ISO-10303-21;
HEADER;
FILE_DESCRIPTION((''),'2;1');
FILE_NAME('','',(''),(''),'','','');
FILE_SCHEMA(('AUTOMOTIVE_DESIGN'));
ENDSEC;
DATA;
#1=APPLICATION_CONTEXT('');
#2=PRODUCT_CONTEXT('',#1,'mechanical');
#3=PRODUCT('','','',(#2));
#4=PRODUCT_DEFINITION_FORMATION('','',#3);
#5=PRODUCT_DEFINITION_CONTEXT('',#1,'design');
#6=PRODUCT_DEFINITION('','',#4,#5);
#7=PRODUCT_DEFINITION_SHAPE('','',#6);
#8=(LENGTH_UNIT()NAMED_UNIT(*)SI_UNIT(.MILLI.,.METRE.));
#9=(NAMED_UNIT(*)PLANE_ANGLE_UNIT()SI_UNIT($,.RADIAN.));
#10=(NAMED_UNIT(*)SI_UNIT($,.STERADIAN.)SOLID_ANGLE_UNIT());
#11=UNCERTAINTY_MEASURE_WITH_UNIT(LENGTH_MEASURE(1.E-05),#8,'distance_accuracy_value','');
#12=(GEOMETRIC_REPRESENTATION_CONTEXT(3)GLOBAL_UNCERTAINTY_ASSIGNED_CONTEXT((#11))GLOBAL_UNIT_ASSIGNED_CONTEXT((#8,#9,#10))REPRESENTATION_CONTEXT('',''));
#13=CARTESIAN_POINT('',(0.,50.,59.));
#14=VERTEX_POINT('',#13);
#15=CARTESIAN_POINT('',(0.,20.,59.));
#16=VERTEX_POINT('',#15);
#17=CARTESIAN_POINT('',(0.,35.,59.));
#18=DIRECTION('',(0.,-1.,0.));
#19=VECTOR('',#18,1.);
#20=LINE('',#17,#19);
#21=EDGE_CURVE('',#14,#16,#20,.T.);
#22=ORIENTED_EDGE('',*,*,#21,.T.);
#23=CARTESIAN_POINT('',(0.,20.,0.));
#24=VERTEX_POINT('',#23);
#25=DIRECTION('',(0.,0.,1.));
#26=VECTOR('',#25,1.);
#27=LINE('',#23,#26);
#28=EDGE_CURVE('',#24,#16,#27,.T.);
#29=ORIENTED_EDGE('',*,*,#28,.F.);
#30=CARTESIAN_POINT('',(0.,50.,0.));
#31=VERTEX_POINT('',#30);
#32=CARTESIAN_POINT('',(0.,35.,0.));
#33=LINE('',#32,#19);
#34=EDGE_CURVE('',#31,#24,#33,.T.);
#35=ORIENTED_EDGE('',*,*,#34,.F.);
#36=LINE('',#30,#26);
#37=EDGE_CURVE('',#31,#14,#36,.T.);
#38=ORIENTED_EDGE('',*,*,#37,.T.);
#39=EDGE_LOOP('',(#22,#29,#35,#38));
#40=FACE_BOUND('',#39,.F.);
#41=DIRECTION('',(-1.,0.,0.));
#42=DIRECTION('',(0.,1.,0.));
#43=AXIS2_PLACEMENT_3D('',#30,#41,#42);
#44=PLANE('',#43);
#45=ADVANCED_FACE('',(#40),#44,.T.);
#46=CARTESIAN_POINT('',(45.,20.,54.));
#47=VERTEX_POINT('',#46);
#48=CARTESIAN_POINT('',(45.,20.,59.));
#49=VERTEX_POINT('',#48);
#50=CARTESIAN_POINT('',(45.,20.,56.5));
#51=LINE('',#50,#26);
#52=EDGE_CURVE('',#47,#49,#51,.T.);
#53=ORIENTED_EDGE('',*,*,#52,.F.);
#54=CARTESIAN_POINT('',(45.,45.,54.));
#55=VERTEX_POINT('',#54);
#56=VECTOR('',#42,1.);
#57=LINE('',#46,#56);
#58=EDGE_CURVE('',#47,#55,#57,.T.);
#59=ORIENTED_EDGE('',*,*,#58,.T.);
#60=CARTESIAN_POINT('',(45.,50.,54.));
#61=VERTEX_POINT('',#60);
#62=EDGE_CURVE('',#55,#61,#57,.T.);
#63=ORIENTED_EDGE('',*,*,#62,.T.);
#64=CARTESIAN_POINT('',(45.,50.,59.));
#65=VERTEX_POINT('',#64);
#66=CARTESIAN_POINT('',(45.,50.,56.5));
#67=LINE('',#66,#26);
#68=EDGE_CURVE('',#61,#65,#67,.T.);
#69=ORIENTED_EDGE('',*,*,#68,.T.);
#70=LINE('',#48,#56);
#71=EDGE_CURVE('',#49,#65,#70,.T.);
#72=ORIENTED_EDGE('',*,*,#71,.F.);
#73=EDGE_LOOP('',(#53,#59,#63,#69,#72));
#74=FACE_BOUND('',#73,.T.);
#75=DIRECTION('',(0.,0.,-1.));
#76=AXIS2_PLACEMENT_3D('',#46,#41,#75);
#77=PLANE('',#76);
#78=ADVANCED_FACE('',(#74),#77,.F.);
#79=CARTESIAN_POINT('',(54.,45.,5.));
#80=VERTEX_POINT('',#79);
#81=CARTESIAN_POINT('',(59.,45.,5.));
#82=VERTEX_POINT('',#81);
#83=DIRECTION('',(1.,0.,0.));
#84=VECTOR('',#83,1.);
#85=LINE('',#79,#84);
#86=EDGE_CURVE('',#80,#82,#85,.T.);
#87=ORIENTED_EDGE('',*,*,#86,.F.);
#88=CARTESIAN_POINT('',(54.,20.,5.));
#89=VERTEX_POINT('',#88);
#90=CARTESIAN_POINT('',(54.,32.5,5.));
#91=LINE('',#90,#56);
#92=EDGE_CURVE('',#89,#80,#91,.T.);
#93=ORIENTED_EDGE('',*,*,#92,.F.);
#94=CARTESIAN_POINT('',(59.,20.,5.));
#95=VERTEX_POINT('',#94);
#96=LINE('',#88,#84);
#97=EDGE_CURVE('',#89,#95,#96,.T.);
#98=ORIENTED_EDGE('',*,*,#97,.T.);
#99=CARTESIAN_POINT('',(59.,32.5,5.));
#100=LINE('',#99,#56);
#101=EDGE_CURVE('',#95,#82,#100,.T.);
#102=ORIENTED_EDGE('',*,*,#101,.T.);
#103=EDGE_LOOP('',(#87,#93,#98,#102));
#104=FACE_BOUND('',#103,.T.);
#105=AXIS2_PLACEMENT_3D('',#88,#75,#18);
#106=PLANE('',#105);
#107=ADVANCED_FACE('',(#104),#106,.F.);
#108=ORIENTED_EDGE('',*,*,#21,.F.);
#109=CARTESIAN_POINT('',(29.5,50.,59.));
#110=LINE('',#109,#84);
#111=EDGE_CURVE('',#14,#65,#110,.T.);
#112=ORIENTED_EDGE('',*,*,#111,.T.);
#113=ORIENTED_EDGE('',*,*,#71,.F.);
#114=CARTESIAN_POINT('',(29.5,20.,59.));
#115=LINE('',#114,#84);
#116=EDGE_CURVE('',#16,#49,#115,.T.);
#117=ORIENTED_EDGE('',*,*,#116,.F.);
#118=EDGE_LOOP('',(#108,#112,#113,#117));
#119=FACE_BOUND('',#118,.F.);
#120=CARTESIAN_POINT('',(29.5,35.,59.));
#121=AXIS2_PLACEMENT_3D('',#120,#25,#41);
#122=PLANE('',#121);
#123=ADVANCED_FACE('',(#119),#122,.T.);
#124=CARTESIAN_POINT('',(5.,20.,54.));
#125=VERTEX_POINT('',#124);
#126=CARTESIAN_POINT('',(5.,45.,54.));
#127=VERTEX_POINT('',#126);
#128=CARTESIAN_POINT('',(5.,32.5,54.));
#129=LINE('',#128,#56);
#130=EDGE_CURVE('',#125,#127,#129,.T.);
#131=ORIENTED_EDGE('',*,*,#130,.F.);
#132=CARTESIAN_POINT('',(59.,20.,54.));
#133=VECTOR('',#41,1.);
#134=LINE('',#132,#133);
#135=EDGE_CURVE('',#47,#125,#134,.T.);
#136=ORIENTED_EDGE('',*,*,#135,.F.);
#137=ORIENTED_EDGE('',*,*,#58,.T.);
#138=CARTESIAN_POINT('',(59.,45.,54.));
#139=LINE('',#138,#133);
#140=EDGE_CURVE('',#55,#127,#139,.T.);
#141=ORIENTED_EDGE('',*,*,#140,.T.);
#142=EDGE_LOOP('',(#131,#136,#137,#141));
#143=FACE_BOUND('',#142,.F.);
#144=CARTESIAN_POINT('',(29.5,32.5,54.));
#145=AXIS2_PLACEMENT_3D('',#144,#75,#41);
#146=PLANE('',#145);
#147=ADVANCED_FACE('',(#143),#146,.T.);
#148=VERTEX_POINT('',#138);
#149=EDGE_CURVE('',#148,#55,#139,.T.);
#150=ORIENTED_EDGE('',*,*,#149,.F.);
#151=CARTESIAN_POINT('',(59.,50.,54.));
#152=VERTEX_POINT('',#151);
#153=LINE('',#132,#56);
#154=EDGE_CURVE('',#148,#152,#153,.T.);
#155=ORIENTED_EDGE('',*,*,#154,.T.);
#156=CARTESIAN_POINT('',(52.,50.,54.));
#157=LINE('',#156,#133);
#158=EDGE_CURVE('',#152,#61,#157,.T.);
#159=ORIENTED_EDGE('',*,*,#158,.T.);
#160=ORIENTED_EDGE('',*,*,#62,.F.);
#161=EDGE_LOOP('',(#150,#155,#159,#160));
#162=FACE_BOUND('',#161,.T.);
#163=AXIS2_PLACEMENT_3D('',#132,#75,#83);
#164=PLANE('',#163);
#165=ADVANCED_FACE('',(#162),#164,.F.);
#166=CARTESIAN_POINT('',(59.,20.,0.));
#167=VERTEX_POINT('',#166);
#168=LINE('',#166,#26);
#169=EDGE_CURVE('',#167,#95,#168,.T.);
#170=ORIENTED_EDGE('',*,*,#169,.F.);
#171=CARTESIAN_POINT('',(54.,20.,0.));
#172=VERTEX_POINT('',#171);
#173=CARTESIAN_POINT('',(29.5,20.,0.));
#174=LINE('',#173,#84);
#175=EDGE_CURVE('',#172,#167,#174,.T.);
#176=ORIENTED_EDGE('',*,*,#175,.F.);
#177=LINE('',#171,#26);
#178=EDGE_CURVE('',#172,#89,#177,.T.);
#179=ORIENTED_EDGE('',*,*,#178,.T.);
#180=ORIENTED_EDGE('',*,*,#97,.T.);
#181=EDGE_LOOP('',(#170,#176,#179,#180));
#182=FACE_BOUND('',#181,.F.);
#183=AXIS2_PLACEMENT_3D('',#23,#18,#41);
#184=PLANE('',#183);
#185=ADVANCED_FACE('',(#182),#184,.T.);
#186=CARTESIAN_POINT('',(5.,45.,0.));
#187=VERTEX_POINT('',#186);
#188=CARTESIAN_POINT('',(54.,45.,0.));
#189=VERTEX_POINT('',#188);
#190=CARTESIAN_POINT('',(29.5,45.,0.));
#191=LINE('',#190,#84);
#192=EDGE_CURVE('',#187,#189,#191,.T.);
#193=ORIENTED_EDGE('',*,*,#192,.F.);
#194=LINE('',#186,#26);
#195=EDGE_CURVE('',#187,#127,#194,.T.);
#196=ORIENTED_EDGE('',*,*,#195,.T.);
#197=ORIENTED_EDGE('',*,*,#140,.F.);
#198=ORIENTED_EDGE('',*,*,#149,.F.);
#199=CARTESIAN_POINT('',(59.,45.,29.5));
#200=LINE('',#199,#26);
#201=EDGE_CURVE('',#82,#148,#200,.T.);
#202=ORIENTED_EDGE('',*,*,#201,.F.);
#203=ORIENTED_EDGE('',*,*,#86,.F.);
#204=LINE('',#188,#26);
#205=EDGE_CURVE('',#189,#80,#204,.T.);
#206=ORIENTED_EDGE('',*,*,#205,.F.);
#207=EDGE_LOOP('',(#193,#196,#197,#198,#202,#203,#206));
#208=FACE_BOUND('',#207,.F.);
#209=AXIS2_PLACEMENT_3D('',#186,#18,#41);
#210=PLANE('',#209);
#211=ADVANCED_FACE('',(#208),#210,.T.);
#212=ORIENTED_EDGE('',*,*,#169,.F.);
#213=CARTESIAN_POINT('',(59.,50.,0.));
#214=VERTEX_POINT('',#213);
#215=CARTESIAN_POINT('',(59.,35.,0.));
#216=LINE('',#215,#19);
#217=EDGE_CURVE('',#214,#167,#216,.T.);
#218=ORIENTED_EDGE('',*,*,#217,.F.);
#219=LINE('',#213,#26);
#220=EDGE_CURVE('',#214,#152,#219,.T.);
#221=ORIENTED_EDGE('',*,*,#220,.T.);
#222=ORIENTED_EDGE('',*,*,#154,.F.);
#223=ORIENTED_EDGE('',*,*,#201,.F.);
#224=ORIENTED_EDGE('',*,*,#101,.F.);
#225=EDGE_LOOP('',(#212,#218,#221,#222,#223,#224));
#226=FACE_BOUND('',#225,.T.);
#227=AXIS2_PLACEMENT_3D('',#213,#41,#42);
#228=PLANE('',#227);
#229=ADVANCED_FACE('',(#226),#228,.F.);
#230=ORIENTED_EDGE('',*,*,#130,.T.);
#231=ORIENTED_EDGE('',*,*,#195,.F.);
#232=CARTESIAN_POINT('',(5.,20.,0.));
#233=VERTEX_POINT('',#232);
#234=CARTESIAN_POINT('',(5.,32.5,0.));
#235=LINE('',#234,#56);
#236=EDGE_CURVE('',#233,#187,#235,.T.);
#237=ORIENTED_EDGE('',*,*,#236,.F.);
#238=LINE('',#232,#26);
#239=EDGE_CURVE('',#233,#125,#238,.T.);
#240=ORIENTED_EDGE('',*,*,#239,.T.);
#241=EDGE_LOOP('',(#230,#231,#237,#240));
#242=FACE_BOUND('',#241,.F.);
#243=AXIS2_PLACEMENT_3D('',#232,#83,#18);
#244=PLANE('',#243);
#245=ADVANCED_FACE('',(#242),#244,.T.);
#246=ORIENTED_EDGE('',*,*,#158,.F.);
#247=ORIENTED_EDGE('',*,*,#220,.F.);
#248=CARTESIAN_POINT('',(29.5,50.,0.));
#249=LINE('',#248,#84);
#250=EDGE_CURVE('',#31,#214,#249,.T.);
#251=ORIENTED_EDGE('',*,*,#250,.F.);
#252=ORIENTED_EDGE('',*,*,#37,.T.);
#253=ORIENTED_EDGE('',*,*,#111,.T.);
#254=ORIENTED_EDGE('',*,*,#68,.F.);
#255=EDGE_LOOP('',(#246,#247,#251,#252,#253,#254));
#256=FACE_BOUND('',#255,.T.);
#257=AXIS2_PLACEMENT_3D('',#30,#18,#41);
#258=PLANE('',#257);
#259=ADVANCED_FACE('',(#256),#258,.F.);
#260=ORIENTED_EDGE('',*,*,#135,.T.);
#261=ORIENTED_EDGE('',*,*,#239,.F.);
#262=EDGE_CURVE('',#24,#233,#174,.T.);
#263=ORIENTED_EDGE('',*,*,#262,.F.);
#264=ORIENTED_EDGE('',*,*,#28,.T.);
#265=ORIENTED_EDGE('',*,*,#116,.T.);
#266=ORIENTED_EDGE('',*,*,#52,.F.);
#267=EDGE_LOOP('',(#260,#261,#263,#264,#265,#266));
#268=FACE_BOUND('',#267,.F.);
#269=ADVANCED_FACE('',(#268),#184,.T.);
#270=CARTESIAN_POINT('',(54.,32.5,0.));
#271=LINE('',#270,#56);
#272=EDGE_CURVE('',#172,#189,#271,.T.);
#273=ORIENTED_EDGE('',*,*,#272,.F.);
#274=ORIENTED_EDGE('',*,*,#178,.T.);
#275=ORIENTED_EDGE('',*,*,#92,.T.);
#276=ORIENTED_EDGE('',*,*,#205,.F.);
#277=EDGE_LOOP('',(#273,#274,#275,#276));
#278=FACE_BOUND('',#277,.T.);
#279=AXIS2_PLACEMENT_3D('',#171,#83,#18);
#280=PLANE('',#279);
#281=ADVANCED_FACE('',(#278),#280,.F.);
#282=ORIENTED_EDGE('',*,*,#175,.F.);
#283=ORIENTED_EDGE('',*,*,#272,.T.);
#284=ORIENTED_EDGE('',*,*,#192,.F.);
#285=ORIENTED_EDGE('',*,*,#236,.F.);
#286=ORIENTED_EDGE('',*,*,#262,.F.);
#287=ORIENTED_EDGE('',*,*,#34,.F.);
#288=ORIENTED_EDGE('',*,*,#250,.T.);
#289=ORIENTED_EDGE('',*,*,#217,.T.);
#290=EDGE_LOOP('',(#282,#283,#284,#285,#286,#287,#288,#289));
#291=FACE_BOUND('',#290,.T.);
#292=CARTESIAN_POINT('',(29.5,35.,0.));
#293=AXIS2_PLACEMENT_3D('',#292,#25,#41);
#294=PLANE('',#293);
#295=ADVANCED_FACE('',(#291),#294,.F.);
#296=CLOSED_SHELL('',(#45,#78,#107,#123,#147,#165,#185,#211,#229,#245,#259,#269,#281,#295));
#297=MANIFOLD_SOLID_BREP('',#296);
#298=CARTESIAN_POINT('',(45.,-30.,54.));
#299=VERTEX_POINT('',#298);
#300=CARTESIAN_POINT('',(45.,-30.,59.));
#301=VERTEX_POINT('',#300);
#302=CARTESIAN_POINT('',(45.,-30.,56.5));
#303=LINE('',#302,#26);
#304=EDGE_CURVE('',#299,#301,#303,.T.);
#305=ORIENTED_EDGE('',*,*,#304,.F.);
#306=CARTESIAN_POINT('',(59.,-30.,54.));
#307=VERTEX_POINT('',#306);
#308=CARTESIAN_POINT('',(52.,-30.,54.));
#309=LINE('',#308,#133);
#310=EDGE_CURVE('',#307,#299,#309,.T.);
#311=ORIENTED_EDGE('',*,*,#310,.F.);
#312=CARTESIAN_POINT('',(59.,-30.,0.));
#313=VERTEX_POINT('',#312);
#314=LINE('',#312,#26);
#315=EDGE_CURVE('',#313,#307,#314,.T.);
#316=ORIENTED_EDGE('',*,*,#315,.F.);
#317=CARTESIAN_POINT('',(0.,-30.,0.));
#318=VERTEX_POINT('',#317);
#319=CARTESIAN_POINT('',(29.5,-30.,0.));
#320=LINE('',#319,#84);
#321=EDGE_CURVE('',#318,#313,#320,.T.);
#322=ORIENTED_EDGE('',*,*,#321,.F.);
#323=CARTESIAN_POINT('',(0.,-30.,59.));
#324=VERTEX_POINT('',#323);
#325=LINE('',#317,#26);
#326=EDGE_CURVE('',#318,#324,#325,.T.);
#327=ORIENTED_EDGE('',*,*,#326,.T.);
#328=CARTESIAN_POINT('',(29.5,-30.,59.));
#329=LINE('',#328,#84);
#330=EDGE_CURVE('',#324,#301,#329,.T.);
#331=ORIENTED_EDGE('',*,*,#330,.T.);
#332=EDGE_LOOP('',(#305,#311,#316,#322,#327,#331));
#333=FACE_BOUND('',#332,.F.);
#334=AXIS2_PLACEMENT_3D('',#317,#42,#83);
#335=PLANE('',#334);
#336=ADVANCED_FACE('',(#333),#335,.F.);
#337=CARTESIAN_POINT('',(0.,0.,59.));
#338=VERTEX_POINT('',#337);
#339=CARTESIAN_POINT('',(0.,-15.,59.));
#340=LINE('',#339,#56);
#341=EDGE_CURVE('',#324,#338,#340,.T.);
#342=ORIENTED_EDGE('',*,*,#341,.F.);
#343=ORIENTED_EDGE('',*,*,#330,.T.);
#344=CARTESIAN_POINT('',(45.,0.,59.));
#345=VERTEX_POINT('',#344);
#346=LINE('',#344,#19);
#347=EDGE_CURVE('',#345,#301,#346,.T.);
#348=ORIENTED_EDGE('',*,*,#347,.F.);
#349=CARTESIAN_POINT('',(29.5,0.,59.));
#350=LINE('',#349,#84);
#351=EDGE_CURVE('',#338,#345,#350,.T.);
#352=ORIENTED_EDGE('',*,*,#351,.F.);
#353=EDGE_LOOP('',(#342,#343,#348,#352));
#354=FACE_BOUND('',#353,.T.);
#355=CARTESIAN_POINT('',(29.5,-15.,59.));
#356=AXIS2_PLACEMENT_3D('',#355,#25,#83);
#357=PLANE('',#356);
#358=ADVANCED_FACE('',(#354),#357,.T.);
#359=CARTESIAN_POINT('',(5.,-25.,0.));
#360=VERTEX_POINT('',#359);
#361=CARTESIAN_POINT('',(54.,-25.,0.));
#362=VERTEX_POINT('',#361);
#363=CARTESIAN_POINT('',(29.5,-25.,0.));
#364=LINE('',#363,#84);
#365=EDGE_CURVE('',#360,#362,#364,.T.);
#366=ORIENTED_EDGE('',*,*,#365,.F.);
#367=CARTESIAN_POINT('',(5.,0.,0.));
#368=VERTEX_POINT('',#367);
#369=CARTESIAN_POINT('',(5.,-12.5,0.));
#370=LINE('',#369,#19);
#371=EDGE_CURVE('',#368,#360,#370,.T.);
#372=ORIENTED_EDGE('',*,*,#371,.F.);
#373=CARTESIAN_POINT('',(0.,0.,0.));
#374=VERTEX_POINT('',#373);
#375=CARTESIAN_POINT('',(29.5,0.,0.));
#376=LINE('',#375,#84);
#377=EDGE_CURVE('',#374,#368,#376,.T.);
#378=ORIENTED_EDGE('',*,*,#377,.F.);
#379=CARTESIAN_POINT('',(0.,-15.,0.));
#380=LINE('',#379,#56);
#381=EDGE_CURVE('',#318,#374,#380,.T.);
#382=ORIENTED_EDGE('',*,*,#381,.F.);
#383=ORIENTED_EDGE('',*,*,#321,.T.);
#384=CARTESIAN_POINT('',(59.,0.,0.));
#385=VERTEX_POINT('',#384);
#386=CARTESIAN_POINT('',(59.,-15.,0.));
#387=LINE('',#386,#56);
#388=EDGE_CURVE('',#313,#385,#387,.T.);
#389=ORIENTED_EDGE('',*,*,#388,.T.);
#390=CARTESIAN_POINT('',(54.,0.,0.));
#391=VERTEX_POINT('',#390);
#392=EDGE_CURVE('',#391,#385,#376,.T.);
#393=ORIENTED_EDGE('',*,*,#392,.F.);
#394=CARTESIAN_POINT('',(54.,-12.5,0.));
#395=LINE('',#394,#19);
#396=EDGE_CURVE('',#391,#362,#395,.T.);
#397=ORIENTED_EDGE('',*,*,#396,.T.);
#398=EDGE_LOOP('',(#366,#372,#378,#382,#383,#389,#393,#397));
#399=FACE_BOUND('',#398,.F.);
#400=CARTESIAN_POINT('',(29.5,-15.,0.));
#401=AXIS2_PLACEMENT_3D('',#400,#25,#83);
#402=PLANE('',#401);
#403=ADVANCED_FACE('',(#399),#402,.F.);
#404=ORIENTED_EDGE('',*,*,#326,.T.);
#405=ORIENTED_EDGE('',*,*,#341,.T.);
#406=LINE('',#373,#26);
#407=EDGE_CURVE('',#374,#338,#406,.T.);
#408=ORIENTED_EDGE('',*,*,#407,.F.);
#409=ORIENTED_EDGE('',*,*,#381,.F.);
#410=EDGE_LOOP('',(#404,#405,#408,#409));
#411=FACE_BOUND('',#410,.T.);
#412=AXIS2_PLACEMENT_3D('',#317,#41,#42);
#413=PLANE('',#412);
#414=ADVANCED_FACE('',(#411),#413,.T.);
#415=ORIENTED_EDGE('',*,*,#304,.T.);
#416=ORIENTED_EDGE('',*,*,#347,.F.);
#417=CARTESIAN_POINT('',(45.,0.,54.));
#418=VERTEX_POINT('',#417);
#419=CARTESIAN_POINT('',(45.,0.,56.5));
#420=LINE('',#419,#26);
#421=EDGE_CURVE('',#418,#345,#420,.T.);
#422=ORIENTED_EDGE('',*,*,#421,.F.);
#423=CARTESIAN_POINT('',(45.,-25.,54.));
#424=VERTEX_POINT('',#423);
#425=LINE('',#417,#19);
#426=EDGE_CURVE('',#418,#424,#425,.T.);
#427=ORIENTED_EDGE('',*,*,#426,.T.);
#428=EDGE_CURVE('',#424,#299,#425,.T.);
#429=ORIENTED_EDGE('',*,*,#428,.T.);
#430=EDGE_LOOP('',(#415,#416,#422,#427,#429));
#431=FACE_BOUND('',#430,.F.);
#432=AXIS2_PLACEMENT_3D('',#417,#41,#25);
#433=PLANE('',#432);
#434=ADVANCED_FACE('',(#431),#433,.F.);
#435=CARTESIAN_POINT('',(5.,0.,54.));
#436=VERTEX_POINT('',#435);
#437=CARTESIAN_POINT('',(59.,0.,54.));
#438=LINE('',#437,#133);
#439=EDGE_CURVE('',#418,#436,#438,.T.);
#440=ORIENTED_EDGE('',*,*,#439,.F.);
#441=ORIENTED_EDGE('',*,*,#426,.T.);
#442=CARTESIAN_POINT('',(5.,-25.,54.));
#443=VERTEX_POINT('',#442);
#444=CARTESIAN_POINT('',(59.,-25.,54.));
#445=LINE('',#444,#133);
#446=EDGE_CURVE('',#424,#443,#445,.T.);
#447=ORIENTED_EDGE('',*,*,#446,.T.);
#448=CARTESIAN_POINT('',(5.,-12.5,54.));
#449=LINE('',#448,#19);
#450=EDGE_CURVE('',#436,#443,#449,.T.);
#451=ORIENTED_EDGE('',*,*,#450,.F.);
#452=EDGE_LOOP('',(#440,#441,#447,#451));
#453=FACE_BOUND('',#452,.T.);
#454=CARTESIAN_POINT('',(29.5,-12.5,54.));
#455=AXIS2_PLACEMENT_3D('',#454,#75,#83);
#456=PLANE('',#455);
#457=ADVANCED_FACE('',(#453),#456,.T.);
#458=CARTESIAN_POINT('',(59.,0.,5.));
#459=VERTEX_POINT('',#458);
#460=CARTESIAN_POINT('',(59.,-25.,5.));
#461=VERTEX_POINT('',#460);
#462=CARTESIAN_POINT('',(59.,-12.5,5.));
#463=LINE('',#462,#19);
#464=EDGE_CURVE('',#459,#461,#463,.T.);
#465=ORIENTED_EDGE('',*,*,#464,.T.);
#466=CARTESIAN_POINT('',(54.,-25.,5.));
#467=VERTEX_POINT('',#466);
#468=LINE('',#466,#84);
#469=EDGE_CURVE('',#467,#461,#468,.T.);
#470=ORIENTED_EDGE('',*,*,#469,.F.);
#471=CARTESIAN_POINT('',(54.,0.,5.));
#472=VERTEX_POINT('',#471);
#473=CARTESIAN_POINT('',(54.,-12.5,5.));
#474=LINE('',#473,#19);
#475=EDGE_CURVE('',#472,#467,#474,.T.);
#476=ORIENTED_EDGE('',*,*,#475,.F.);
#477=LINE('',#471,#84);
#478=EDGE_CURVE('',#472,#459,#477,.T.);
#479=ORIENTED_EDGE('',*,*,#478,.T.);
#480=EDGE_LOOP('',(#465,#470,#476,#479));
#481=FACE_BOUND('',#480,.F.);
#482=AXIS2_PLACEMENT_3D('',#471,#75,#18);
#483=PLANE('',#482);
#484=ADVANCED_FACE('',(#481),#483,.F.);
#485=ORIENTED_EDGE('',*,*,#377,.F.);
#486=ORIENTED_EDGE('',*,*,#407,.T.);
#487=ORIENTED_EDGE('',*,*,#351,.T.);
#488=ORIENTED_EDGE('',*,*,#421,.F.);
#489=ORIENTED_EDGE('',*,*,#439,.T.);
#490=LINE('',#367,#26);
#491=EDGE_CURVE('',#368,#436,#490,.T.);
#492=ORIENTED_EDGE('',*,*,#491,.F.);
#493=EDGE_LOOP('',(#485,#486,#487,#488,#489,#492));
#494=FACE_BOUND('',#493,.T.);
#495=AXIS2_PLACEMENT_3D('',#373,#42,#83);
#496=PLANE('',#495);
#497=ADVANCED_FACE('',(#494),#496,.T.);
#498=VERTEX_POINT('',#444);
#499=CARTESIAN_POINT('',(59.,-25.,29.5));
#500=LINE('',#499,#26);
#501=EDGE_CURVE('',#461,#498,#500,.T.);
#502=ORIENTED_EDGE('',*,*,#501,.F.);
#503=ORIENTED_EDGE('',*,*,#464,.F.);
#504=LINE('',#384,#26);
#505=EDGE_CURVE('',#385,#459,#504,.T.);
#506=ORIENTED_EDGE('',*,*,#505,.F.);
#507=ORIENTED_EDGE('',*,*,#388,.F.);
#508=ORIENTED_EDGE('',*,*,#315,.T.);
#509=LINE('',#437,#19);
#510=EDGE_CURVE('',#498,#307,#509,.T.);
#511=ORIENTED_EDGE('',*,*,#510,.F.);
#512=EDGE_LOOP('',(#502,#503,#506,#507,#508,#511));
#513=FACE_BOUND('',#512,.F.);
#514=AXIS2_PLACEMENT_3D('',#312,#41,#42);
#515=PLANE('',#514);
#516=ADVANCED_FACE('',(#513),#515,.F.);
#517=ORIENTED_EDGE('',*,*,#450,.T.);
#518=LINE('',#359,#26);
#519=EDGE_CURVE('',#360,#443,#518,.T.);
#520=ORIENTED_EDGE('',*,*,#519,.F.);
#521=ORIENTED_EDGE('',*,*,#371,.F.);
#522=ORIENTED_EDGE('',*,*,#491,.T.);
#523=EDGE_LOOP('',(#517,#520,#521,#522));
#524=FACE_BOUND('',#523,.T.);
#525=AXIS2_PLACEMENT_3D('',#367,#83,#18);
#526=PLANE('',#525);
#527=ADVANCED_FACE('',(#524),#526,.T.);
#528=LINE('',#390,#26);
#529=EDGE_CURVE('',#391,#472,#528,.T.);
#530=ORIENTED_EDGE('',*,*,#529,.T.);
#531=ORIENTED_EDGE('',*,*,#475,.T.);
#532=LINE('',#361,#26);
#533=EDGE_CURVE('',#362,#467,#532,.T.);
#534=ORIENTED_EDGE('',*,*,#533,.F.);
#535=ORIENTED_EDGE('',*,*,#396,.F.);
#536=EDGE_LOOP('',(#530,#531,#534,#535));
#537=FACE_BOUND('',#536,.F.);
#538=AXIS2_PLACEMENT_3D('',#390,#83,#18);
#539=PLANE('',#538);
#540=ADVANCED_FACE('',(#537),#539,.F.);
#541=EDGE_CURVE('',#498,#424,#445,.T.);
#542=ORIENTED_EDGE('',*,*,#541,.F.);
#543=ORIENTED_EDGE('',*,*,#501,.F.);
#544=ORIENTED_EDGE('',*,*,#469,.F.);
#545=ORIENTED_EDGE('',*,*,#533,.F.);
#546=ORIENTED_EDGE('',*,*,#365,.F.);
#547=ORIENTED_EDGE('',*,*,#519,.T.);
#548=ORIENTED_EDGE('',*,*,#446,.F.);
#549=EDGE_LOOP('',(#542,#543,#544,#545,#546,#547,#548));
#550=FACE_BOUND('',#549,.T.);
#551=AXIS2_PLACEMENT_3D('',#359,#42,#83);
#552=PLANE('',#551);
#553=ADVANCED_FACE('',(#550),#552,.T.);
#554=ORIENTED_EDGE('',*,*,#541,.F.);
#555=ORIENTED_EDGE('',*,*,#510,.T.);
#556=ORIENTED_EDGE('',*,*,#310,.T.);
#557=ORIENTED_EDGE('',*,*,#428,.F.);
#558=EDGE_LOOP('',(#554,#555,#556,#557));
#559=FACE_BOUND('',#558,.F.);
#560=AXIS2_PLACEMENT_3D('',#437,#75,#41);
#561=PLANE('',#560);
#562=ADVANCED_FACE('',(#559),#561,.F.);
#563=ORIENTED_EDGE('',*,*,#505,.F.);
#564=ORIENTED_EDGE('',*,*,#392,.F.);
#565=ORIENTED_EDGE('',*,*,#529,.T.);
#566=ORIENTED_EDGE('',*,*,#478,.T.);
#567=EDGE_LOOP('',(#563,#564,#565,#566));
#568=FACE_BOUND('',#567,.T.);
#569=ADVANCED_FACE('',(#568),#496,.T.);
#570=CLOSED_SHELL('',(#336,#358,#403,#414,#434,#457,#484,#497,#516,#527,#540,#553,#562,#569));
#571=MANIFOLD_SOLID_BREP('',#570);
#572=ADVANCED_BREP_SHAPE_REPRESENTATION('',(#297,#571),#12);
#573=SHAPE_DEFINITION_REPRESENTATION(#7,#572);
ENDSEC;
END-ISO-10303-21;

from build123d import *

# Parameters (mm, degrees)
F0_W     = 59
F0_H     = 30
F1_DEPTH = 59
F2_W     = 49
F2_H     = 25
F3_DEPTH = 54
F4_W     = 25
F4_H     = 49
F5_DEPTH = 5
F6_W     = 14
F6_H     = 5
F7_DEPTH = 30


with BuildPart() as f1:
    # F0 (on Top) → F1 (new body)
    with BuildSketch(Plane.XY):
        with Locations((29.5, -15)):
            Rectangle(F0_W, F0_H)
    extrude(amount=F1_DEPTH)

    # F2 (on face) → F3 (cut)
    with BuildSketch(Plane(origin=(0, 0, 0), x_dir=(1, 0, 0), z_dir=(0, 0, -1))):
        with Locations((29.5, 12.5)):
            Rectangle(F2_W, F2_H)
    extrude(amount=-F3_DEPTH, mode=Mode.SUBTRACT)

    # F4 (on face) → F5 (cut)
    with BuildSketch(Plane(origin=(54, 0, 0), x_dir=(0, -1, 0), z_dir=(-1, 0, 0))):
        with Locations((12.5, 29.5)):
            Rectangle(F4_W, F4_H)
    extrude(amount=-F5_DEPTH, mode=Mode.SUBTRACT)

    # F6 (on face) → F7 (cut)
    with BuildSketch(Plane(origin=(0, 0, 0), x_dir=(-1, 0, 0), z_dir=(0, 1, 0))):
        with Locations((-52, 56.5)):
            Rectangle(F6_W, F6_H)
    extrude(amount=-F7_DEPTH, mode=Mode.SUBTRACT)


with BuildPart() as f9_1:
    # F9: instance of F1
    add(f1.part.mirror(Plane.XZ.offset(-10)))


solid = Compound([f1.part, f9_1.part])
